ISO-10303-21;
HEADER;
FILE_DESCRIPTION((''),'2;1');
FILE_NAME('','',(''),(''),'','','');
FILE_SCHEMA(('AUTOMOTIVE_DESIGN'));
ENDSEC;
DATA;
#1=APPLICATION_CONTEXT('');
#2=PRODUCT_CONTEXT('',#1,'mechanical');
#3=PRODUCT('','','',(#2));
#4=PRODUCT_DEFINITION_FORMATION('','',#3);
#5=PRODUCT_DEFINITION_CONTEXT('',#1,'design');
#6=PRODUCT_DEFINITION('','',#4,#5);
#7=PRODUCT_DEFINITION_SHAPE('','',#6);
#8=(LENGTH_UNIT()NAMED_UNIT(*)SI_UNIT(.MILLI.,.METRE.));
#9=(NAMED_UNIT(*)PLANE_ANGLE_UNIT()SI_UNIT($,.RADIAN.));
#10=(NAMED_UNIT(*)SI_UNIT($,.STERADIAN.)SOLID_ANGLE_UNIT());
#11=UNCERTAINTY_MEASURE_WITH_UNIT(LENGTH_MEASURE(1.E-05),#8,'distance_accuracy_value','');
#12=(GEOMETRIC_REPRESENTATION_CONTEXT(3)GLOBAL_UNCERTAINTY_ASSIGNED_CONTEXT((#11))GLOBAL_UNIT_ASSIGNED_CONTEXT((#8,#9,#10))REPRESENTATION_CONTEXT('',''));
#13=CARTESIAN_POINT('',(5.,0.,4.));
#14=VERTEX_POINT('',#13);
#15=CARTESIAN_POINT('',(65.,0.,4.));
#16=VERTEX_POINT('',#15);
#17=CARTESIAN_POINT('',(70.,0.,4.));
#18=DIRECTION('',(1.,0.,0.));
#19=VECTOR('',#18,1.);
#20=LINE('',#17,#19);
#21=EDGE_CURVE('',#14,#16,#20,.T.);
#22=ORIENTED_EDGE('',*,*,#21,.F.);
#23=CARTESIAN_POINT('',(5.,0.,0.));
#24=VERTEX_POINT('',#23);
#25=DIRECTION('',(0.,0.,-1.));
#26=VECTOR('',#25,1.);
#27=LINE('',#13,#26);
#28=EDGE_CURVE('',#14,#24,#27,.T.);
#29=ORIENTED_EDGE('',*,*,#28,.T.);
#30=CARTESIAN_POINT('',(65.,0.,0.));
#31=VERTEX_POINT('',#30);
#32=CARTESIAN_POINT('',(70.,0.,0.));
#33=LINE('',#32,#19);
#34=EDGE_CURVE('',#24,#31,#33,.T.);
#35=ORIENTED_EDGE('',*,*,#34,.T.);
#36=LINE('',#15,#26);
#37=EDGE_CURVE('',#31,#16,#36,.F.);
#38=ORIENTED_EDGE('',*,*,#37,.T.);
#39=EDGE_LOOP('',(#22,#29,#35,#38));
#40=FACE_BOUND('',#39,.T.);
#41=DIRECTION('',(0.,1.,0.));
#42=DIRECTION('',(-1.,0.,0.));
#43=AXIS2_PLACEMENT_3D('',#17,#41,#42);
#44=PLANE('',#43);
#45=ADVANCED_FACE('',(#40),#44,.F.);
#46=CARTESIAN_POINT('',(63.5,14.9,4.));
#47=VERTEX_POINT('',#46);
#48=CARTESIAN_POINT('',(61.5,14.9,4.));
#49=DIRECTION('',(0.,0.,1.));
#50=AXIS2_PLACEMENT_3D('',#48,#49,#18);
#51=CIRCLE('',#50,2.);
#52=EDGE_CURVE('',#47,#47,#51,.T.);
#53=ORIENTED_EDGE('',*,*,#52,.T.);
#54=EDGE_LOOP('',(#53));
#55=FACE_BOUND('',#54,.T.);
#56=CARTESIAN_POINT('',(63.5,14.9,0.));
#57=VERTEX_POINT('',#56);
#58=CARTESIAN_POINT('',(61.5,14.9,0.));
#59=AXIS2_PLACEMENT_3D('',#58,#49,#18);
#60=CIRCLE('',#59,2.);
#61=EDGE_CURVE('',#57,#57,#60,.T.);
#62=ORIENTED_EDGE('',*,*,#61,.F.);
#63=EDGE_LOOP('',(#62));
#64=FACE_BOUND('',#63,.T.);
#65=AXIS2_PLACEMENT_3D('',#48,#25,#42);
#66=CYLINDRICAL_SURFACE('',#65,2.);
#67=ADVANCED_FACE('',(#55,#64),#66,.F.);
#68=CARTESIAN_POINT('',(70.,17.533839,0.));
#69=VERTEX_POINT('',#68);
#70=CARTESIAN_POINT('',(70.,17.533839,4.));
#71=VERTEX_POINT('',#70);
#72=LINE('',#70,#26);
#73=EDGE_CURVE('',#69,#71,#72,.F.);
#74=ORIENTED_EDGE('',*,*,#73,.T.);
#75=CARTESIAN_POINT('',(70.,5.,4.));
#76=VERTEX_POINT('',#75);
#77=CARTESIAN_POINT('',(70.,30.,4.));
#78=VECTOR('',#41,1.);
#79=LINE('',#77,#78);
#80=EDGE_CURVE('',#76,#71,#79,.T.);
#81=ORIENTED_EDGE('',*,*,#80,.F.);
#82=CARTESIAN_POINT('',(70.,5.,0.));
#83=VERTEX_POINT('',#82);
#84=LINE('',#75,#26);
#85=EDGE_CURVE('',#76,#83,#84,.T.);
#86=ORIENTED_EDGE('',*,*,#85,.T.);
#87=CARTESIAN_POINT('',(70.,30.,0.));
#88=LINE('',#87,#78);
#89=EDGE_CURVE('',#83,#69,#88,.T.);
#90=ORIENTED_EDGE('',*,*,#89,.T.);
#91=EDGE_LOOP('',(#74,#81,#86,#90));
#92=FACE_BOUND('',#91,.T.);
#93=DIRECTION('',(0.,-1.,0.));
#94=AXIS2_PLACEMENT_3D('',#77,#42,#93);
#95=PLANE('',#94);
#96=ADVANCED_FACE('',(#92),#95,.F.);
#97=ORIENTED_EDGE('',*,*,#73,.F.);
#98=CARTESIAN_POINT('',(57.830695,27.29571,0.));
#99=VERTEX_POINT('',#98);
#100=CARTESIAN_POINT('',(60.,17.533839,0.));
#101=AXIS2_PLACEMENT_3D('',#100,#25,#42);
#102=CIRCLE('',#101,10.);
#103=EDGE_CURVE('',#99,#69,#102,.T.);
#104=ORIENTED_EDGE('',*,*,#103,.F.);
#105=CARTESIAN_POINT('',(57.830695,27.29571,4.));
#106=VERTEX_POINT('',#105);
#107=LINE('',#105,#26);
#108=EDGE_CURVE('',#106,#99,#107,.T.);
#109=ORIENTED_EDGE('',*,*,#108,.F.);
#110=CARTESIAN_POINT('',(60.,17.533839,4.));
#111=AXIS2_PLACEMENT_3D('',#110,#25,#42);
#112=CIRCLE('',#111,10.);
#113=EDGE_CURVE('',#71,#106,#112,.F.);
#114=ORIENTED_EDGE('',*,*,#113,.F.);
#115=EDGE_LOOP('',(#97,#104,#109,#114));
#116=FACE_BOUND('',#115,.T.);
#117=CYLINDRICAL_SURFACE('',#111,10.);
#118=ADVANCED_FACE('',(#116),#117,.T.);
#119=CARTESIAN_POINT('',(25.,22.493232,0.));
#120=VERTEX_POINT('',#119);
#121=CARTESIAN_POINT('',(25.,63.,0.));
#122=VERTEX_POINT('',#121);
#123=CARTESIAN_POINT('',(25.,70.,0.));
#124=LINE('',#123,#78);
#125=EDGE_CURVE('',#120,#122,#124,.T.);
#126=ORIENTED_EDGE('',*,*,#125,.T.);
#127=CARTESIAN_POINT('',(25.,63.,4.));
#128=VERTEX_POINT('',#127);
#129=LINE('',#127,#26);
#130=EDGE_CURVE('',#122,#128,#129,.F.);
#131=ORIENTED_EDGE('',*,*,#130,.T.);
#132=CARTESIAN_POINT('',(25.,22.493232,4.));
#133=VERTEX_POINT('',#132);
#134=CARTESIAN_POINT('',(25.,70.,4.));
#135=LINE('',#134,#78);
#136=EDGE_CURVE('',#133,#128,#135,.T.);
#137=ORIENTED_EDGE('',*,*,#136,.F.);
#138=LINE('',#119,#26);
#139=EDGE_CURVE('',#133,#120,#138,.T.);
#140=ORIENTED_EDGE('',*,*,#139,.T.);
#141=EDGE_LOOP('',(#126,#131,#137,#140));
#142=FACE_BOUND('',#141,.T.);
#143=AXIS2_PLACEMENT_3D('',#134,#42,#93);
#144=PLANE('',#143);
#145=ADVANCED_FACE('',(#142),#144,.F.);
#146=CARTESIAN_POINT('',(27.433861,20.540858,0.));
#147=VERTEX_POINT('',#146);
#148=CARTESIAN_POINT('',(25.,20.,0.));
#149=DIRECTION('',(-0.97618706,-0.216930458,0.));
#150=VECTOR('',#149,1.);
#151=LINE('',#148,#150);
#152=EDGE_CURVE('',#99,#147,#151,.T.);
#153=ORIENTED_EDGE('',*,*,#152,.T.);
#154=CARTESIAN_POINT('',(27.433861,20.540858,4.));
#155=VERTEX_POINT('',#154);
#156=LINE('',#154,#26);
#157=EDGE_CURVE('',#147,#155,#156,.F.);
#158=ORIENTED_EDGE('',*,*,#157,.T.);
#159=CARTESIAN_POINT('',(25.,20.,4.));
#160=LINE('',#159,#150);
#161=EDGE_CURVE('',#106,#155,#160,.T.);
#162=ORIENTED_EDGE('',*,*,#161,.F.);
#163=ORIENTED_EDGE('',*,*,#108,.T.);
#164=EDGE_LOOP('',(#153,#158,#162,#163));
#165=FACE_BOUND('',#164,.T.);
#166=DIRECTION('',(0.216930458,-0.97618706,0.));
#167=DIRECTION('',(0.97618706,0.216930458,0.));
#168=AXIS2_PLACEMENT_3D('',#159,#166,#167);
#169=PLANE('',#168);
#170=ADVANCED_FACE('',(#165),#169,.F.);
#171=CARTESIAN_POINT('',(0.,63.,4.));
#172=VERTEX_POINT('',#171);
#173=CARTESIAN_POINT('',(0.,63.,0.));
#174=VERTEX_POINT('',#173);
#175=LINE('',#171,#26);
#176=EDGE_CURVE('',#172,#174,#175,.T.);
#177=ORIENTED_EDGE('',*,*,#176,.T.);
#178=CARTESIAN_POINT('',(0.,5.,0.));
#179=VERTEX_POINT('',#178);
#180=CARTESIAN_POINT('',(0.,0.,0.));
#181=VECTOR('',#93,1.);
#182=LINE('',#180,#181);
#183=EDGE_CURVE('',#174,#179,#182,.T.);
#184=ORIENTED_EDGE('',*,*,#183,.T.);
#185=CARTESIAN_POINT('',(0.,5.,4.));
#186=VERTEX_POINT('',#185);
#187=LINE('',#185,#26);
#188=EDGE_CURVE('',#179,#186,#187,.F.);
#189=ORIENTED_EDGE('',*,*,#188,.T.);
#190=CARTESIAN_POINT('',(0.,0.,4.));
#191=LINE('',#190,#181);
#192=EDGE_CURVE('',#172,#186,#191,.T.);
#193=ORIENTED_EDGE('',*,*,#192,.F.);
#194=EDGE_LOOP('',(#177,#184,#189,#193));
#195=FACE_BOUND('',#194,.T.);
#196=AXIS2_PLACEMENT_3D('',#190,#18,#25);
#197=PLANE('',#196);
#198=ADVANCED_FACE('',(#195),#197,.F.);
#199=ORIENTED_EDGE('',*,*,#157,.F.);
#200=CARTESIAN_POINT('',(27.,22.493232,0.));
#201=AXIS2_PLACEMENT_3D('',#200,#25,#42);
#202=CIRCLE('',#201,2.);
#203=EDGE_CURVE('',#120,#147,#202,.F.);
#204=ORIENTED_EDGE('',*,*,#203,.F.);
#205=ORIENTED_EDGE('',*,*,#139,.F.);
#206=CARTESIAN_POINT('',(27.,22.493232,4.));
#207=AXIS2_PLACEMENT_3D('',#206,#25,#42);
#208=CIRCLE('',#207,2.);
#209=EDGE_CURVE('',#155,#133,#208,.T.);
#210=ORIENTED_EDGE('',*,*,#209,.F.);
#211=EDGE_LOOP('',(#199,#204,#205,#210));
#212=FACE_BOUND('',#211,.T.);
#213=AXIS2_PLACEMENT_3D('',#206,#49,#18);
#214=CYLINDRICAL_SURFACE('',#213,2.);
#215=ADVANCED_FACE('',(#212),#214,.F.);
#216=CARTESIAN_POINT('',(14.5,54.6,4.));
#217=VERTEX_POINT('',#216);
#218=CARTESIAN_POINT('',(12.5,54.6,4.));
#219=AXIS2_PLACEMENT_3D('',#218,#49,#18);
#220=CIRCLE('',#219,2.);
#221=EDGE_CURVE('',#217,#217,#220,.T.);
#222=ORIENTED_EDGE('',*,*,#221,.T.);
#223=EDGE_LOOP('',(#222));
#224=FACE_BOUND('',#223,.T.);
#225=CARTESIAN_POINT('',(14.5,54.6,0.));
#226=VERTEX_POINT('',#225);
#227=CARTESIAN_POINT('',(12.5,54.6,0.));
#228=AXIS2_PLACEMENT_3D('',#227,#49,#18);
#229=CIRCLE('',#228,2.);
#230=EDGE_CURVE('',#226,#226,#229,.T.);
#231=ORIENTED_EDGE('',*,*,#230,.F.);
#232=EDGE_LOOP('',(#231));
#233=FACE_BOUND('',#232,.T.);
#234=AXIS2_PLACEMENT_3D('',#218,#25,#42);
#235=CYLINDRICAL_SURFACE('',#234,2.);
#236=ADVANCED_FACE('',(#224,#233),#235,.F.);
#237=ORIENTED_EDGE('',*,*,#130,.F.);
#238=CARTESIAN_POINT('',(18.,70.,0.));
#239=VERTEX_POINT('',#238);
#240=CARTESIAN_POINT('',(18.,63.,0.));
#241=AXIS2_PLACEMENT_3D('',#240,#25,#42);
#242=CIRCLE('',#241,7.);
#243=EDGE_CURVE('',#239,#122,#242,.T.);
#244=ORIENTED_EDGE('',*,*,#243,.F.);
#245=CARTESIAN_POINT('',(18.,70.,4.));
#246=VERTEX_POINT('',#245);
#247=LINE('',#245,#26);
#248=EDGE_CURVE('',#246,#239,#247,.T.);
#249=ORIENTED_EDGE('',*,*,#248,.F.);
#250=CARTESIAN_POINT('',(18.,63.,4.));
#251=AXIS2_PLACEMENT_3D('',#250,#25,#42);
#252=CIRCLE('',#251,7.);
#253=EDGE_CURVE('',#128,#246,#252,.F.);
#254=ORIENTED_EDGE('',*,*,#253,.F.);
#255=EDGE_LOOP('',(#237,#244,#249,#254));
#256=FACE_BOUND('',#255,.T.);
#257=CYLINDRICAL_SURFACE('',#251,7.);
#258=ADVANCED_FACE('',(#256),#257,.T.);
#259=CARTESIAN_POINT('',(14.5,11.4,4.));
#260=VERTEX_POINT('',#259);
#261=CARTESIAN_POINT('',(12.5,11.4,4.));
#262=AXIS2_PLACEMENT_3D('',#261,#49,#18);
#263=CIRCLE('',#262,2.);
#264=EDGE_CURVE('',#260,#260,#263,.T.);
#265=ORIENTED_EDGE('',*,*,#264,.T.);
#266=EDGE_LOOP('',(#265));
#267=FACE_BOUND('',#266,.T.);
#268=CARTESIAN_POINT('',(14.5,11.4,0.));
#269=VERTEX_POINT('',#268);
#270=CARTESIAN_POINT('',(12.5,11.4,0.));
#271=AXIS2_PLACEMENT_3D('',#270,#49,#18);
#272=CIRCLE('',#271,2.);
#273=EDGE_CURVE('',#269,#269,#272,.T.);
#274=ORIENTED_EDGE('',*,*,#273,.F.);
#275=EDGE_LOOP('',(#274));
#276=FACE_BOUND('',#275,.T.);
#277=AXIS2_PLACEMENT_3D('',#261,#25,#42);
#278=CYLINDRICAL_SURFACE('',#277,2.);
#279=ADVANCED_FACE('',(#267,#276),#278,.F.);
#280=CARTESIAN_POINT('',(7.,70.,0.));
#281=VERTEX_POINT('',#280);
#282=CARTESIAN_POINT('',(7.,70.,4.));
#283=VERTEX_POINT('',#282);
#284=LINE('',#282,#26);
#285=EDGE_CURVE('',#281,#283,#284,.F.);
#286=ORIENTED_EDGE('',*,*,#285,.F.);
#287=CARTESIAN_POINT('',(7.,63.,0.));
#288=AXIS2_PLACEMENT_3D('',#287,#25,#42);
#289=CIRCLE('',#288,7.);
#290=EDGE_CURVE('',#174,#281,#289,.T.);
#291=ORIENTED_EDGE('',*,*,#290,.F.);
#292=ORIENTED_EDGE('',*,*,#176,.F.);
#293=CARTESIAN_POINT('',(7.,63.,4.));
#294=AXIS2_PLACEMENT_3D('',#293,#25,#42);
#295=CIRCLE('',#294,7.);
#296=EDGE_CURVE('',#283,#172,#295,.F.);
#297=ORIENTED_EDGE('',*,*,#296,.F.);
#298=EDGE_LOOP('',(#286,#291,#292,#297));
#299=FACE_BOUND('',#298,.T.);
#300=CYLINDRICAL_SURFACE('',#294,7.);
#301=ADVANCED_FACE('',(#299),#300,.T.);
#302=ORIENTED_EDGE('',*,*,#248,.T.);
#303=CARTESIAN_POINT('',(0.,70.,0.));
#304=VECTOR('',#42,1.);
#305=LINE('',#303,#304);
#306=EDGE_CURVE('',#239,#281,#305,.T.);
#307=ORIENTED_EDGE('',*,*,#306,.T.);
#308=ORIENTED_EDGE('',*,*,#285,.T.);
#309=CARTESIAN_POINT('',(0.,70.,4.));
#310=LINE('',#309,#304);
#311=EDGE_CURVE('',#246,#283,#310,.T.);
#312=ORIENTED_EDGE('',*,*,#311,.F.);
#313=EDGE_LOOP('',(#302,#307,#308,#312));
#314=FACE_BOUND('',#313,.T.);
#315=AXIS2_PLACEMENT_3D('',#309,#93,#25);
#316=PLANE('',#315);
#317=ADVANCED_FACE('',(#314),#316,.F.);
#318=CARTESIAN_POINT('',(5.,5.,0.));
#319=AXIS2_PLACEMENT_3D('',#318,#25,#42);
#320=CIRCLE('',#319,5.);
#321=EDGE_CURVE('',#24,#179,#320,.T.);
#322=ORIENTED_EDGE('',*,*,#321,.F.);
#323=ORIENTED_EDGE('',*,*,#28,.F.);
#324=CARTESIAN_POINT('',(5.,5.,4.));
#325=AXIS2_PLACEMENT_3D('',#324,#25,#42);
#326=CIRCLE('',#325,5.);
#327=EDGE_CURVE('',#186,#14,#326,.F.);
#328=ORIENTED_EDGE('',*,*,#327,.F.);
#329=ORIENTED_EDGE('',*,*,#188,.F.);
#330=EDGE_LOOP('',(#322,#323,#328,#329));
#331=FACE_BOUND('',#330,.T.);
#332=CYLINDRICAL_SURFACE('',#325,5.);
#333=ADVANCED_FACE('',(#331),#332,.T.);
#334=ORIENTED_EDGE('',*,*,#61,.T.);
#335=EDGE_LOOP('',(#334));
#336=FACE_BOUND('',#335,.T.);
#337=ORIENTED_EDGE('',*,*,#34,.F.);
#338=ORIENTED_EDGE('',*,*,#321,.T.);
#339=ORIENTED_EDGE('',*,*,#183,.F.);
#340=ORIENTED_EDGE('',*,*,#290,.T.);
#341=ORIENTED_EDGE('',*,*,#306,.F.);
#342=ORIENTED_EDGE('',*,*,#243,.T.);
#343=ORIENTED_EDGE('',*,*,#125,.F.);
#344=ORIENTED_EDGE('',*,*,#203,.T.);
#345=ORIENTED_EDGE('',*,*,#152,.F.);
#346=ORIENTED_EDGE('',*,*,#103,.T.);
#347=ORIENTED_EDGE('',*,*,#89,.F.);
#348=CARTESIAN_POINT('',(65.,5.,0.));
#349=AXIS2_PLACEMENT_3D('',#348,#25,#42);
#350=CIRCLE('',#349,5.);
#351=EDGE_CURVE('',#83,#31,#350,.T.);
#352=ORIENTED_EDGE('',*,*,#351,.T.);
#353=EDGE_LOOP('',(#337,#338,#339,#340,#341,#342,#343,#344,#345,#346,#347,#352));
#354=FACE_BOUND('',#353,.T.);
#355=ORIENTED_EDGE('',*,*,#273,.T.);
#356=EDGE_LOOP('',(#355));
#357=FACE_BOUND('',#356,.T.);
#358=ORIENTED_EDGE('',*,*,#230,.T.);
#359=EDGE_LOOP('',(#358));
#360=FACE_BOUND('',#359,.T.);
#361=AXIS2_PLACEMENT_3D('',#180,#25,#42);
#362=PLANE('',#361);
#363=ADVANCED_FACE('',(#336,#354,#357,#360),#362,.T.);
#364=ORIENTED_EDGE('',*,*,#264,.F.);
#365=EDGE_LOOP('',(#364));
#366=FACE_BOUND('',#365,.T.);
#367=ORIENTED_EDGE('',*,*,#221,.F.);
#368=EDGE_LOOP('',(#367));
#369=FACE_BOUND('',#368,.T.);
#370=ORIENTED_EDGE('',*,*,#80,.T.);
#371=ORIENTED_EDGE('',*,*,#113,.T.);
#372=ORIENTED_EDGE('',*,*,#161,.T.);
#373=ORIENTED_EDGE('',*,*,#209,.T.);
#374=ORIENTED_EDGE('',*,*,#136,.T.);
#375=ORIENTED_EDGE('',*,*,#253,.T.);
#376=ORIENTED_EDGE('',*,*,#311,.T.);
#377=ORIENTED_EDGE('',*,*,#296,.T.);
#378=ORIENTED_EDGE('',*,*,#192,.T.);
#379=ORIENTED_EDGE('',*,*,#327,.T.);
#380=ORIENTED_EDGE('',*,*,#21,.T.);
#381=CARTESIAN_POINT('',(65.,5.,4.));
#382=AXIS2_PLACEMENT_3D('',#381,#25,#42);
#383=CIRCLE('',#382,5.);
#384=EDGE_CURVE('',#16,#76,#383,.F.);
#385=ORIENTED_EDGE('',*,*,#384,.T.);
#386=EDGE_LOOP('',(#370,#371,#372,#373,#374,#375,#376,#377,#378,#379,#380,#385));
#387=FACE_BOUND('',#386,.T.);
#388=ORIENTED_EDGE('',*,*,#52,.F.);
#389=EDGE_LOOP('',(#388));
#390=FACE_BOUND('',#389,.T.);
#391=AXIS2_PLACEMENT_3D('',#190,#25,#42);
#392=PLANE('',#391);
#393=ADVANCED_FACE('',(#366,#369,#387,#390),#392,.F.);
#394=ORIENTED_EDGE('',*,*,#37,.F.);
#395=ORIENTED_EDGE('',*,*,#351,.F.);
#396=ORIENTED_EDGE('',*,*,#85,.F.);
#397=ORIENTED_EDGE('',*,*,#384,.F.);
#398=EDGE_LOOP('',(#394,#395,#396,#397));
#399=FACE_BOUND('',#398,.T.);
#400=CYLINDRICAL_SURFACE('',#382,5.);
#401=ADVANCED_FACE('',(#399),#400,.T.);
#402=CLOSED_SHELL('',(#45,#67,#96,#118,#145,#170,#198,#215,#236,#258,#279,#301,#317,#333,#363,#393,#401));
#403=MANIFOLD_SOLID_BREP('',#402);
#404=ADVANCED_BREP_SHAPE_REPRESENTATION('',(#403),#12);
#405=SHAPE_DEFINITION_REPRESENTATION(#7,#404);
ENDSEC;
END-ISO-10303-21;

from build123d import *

# Parameters (mm, degrees)
SCHIZZO1_R                   = 2
ESTRUSIONE_ESTRUSIONE1_DEPTH = 4
RACCORDO1_R                  = 7
RACCORDO2_R                  = 5
RACCORDO3_R                  = 10
RACCORDO4_R                  = 2


with BuildPart() as part:
    # Schizzo1 → Estrusione-Estrusione1 (new body)
    with BuildSketch(Plane.XY):
        Polygon((0, 0), (0, 70), (25, 70), (25, 20), (70, 30), (70, 0), align=None)
        with Locations((12.5, 11.4)):
            Circle(SCHIZZO1_R, mode=Mode.SUBTRACT)
        with Locations((12.5, 54.6)):
            Circle(SCHIZZO1_R, mode=Mode.SUBTRACT)
        with Locations((61.5, 14.9)):
            Circle(SCHIZZO1_R, mode=Mode.SUBTRACT)
    extrude(amount=ESTRUSIONE_ESTRUSIONE1_DEPTH)

    # Raccordo1
    raccordo1_edges = [part.edges().sort_by_distance(p)[0] for p in [
        (0, 70, 2),
        (25, 70, 2),
    ]]
    fillet(raccordo1_edges, radius=RACCORDO1_R)

    # Raccordo2
    raccordo2_edges = [part.edges().sort_by_distance(p)[0] for p in [
        (0, 0, 2),
        (70, 0, 2),
    ]]
    fillet(raccordo2_edges, radius=RACCORDO2_R)

    # Raccordo3
    raccordo3_edges = [part.edges().sort_by_distance(p)[0] for p in [
        (70, 30, 2),
    ]]
    fillet(raccordo3_edges, radius=RACCORDO3_R)

    # Raccordo4
    raccordo4_edges = [part.edges().sort_by_distance(p)[0] for p in [
        (25, 20, 2),
    ]]
    fillet(raccordo4_edges, radius=RACCORDO4_R)


solid = part.part
